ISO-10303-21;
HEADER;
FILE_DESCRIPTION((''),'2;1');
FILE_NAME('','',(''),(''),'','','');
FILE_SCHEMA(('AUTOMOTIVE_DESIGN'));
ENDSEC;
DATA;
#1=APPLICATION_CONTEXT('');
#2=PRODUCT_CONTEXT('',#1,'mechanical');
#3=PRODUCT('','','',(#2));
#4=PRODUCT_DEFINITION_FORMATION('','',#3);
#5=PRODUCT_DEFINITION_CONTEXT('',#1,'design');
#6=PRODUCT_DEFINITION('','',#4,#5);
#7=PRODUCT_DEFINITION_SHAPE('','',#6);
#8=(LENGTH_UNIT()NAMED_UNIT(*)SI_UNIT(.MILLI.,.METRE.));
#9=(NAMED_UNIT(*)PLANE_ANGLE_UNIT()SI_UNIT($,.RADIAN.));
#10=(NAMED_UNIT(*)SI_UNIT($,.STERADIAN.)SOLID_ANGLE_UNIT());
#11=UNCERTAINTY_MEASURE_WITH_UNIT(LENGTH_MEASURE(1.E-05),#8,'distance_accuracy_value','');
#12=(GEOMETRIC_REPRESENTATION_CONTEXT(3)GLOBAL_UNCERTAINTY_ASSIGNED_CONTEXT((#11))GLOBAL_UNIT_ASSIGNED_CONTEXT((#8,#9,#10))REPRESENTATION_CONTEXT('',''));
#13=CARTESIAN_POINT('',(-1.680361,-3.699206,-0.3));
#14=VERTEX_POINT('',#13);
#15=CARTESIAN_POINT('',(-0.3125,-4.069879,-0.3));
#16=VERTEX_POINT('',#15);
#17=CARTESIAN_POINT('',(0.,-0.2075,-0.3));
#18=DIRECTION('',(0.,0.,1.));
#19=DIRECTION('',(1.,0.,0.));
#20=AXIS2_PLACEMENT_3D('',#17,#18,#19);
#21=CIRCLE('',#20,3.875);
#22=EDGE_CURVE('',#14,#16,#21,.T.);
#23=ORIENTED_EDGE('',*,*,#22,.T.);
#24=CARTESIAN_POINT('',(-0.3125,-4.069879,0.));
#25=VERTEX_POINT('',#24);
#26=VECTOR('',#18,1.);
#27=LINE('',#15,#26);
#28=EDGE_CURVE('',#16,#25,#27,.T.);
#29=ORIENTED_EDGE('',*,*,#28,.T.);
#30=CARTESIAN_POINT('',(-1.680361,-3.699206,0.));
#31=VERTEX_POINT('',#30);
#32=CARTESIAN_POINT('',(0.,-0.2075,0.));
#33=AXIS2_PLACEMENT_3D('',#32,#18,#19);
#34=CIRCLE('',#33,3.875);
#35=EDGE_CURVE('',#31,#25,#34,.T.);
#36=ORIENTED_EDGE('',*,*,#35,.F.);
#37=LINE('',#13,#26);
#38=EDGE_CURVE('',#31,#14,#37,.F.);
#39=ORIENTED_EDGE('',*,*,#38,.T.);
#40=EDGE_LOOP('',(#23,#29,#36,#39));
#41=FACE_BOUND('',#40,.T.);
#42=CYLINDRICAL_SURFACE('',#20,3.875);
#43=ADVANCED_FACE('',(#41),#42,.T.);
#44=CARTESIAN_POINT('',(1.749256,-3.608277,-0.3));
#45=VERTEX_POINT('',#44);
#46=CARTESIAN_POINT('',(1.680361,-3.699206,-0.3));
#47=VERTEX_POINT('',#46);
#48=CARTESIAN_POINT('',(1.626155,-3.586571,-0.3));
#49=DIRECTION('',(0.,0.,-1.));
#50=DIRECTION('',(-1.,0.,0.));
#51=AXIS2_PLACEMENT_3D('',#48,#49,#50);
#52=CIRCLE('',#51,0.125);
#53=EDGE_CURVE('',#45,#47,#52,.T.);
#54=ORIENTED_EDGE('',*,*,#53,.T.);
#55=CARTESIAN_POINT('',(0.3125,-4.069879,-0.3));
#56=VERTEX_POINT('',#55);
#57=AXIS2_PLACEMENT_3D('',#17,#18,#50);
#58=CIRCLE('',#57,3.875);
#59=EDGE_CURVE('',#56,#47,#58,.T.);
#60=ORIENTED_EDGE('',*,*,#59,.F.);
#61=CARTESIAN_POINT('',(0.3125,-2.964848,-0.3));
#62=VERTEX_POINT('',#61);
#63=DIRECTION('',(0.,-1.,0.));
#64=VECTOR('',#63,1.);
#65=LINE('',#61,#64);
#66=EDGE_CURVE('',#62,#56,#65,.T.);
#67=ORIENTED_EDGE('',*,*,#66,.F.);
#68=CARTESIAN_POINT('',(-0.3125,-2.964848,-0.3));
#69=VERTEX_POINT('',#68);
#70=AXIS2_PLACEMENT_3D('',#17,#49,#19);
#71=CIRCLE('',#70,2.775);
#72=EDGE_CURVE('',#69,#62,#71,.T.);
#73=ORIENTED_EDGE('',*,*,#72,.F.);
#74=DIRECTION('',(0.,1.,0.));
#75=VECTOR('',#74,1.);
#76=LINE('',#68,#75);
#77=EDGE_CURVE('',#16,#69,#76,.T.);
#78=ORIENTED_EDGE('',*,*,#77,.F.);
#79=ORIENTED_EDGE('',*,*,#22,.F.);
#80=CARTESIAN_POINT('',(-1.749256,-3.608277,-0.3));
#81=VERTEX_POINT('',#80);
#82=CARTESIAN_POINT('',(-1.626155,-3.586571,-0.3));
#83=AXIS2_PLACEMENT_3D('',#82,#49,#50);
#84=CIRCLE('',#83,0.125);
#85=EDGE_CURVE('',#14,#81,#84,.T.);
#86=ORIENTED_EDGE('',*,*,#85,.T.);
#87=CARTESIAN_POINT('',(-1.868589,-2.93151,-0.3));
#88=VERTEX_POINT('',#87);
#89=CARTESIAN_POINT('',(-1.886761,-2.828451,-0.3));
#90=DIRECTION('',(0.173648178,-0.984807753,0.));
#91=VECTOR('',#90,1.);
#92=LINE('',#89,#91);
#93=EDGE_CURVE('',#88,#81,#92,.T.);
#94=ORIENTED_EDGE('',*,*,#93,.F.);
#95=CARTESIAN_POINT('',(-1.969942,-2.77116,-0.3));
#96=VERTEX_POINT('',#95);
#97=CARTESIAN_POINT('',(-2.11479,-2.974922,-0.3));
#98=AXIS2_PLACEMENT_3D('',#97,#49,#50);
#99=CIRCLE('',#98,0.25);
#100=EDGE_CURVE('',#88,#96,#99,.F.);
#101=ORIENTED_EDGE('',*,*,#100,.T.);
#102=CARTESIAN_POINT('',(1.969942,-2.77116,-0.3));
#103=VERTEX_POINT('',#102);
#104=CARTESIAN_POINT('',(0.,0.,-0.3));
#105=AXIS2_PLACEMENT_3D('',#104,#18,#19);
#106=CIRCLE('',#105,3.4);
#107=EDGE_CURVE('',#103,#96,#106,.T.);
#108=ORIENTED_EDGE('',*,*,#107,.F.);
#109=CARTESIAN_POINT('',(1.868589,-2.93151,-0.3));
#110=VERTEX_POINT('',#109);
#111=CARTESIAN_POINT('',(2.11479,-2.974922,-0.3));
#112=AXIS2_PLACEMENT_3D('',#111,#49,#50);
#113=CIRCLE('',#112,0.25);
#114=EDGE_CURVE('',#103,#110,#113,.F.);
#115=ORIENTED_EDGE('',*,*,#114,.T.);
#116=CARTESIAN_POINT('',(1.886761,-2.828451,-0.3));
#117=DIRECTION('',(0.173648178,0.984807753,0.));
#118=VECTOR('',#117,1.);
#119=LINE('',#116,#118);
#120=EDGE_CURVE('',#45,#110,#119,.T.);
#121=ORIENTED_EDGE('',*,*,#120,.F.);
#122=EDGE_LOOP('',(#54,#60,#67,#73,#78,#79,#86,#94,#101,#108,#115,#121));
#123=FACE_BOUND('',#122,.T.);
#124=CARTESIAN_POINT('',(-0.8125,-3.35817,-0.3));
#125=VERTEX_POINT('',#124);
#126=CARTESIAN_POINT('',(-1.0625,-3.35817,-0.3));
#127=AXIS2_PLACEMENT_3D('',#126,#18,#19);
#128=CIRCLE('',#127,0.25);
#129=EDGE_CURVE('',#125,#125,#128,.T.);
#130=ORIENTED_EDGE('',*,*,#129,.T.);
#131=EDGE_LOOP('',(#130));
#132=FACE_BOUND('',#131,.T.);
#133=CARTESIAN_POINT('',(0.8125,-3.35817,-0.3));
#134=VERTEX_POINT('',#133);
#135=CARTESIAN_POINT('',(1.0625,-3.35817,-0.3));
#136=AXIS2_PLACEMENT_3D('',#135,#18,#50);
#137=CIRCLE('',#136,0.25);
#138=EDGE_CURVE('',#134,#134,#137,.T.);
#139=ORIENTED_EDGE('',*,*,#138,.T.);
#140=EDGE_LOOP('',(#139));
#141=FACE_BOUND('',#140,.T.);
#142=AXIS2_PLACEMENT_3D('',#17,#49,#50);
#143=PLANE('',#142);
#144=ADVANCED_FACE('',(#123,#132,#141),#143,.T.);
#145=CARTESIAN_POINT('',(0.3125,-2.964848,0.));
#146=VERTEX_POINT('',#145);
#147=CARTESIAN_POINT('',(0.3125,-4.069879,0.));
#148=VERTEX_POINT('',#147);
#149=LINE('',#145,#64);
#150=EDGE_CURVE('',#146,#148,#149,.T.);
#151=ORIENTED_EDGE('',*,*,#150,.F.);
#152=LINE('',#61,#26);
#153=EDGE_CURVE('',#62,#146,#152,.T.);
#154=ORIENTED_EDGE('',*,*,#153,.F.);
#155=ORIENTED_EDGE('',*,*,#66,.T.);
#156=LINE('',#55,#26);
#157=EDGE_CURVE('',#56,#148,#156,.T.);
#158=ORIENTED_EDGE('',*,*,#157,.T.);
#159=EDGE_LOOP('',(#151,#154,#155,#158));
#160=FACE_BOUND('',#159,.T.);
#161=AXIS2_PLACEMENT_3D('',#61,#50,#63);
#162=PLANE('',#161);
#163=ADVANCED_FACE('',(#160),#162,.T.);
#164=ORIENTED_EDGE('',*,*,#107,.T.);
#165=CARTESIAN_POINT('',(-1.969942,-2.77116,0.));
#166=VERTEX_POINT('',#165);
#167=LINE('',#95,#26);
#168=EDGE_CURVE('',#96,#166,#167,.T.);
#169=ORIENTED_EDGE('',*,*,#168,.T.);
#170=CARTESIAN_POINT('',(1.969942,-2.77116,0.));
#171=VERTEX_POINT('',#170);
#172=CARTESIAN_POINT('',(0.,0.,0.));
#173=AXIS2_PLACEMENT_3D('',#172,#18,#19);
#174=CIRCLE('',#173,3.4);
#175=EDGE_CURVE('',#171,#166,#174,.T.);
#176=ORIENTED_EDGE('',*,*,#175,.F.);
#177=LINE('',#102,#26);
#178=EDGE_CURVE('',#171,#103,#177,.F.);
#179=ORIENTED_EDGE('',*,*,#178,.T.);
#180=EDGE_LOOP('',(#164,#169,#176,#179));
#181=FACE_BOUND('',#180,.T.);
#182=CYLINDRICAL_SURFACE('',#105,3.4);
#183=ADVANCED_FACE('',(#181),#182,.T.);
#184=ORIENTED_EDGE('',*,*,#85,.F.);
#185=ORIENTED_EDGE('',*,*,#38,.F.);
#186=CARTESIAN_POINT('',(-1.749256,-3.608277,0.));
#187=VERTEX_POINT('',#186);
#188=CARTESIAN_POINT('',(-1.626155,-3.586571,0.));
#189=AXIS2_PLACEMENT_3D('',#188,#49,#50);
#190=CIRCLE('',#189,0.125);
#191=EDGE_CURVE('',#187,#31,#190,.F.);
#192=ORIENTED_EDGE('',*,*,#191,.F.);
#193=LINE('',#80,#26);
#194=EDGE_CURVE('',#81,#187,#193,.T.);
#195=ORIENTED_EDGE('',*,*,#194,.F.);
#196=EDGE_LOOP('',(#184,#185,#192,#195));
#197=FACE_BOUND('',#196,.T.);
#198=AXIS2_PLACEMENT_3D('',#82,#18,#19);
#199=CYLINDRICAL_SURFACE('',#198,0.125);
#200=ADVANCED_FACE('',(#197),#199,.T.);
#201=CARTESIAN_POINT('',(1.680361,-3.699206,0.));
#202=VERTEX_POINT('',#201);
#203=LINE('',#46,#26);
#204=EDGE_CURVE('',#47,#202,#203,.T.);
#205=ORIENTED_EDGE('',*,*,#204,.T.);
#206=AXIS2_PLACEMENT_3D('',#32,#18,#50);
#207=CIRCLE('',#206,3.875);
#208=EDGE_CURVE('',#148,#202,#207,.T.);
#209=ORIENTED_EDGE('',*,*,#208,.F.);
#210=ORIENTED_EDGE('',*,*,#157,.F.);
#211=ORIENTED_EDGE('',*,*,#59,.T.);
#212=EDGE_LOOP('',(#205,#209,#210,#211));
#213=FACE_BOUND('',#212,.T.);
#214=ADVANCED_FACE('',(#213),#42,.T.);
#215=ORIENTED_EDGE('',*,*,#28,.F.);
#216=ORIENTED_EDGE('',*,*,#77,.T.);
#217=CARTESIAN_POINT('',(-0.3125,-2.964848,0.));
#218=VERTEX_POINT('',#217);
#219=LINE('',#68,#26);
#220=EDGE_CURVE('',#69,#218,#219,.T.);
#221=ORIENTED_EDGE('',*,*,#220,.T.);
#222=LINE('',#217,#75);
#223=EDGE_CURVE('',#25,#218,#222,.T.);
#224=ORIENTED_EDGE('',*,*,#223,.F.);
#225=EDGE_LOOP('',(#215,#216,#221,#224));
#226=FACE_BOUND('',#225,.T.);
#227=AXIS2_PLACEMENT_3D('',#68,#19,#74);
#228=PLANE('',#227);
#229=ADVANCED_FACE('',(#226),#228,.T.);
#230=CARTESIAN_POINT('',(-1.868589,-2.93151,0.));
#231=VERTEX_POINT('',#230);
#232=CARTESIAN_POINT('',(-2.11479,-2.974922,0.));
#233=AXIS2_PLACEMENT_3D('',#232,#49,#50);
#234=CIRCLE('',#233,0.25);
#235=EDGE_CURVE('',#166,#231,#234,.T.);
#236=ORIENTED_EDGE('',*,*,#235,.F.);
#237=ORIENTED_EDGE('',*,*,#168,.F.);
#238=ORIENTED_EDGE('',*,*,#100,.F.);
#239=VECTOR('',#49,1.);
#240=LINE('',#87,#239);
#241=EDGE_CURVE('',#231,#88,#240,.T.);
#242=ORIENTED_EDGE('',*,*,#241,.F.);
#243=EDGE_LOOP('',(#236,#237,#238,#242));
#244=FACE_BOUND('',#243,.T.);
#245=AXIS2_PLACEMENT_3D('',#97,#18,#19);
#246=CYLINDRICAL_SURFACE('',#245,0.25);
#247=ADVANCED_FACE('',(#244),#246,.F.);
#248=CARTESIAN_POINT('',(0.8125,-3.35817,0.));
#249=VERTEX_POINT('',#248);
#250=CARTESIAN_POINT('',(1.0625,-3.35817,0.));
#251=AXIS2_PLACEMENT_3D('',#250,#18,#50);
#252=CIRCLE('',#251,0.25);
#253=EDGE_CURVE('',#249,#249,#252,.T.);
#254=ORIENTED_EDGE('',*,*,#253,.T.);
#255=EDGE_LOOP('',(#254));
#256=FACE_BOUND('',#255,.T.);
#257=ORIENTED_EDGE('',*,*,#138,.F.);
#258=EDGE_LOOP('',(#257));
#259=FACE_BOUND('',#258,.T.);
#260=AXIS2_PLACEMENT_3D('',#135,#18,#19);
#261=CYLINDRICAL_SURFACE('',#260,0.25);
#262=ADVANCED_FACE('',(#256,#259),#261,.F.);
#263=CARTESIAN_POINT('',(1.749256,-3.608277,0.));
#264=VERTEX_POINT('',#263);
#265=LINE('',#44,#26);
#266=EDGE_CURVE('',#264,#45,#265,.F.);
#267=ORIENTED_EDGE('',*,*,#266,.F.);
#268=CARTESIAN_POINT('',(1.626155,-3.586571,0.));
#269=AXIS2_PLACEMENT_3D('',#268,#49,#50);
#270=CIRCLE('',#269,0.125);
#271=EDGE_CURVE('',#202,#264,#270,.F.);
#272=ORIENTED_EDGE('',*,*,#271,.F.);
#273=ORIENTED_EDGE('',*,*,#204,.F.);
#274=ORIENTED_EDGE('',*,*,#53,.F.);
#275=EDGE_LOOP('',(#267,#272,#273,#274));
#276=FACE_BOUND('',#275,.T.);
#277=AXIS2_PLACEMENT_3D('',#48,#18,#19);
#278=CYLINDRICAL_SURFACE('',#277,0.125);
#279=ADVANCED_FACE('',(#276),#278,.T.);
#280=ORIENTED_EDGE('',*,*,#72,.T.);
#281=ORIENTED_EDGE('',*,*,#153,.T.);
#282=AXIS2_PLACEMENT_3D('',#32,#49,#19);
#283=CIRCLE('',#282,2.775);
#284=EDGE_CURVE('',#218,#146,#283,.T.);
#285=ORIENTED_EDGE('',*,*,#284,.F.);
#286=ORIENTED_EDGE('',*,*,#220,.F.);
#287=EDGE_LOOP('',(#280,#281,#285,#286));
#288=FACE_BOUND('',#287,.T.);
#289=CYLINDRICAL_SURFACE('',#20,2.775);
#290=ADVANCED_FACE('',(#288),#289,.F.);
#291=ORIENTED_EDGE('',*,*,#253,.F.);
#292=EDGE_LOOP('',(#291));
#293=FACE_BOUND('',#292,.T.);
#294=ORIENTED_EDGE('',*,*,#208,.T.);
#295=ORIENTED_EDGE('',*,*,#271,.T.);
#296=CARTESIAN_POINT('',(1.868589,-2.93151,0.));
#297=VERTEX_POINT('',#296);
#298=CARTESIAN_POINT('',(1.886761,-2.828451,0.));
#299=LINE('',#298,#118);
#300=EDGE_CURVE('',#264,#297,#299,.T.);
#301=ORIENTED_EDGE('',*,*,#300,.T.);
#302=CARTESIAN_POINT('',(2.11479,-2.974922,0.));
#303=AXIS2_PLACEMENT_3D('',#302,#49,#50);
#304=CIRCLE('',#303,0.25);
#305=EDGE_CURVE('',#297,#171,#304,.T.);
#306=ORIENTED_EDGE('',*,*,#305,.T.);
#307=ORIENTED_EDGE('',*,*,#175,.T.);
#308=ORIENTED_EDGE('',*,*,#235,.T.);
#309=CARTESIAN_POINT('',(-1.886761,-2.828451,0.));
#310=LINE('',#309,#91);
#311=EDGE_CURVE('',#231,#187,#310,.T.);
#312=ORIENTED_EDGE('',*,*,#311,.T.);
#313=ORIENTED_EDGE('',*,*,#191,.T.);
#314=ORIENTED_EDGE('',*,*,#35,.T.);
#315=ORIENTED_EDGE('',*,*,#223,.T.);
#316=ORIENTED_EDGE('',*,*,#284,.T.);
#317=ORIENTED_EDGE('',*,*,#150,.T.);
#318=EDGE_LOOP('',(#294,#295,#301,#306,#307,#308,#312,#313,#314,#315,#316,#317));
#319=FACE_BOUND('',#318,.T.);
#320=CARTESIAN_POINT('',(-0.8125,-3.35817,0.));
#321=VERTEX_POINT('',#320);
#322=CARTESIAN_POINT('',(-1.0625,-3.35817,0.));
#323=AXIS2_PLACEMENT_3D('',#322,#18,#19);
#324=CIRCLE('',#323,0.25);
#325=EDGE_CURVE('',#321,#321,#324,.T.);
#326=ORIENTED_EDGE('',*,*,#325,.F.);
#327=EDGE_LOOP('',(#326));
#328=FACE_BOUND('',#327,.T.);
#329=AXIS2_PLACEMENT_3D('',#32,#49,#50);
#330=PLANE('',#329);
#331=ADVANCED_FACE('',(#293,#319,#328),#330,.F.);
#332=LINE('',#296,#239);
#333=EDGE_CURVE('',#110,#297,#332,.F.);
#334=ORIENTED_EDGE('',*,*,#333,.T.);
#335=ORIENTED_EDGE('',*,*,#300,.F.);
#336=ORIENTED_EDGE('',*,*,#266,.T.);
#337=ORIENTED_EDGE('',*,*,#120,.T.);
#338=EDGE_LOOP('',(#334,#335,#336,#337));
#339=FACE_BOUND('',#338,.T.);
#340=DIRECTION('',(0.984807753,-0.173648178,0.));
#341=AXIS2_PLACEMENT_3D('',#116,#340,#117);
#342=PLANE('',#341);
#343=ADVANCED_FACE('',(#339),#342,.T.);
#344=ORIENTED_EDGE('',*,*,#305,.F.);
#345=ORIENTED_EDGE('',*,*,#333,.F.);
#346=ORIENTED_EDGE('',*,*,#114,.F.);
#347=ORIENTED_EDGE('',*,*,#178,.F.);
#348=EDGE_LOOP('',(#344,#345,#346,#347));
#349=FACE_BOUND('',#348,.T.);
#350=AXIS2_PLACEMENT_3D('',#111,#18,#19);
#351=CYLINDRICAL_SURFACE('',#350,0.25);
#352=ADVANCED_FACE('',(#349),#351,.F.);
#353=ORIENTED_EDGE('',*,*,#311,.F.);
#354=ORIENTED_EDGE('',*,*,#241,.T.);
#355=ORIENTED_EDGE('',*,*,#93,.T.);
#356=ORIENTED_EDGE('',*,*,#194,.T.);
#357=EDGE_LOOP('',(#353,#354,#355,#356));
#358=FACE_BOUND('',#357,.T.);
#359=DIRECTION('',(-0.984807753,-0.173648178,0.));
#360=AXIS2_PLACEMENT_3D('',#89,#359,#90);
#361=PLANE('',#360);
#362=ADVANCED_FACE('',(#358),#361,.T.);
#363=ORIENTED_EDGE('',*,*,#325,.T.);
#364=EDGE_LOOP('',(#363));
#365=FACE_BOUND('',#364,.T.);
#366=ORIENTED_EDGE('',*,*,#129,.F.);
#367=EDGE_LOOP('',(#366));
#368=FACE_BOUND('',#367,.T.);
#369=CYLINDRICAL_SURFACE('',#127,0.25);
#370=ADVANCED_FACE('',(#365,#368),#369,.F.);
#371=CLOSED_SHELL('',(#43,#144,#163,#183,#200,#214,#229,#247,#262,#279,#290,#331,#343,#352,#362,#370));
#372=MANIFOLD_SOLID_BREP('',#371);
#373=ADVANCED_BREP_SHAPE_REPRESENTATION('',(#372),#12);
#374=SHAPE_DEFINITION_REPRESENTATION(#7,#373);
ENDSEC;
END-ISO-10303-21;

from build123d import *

# Parameters (mm, degrees)
SKETCH1_R     = 1
BODY_DEPTH    = 1.2
FILLET1_R     = 0.5
FILLET2_R     = 1
SCALE_1_SCALE = 0.25


with BuildPart() as part:
    # Sketch1 → Body (new body)
    with BuildSketch(Plane.XY):
        with BuildLine():
            Line((-1.25, -11.859392549), (-1.25, -16.279514555))
            ThreePointArc((-1.25, -16.279514555), (-4.178435105, -15.756174328), (-6.952957407, -14.683027947))
            Line((-6.952957407, -14.683027947), (-7.547042593, -11.313803432))
            ThreePointArc((-7.547042593, -11.313803432), (0, 13.6), (7.547042593, -11.313803432))
            Line((7.547042593, -11.313803432), (6.952957407, -14.683027947))
            ThreePointArc((6.952957407, -14.683027947), (4.178435105, -15.756174328), (1.25, -16.279514555))
            Line((1.25, -16.279514555), (1.25, -11.859392549))
            ThreePointArc((1.25, -11.859392549), (0, 10.27), (-1.25, -11.859392549))
        make_face()
        with Locations(Location((4.25, -13.432678287, 0), (0, 0, 180))):
            Circle(SKETCH1_R, mode=Mode.SUBTRACT)
        with Locations((-4.25, -13.432678287)):
            Circle(SKETCH1_R, mode=Mode.SUBTRACT)
    extrude(amount=-BODY_DEPTH)

    # Fillet1
    fillet1_edges = [part.edges().sort_by_distance(p)[0] for p in [
        (-6.952957407, -14.683027947, -0.6),
        (6.952957407, -14.683027947, -0.6),
    ]]
    fillet(fillet1_edges, radius=FILLET1_R)

    # Fillet2
    fillet2_edges = [part.edges().sort_by_distance(p)[0] for p in [
        (-7.547042593, -11.313803432, -0.6),
        (7.547042593, -11.313803432, -0.6),
    ]]
    fillet(fillet2_edges, radius=FILLET2_R)


with BuildPart() as part_1:
    # 缩放比例1: scaled about (0, 0, 0)
    add(part.part.scale(SCALE_1_SCALE))


solid = part_1.part
